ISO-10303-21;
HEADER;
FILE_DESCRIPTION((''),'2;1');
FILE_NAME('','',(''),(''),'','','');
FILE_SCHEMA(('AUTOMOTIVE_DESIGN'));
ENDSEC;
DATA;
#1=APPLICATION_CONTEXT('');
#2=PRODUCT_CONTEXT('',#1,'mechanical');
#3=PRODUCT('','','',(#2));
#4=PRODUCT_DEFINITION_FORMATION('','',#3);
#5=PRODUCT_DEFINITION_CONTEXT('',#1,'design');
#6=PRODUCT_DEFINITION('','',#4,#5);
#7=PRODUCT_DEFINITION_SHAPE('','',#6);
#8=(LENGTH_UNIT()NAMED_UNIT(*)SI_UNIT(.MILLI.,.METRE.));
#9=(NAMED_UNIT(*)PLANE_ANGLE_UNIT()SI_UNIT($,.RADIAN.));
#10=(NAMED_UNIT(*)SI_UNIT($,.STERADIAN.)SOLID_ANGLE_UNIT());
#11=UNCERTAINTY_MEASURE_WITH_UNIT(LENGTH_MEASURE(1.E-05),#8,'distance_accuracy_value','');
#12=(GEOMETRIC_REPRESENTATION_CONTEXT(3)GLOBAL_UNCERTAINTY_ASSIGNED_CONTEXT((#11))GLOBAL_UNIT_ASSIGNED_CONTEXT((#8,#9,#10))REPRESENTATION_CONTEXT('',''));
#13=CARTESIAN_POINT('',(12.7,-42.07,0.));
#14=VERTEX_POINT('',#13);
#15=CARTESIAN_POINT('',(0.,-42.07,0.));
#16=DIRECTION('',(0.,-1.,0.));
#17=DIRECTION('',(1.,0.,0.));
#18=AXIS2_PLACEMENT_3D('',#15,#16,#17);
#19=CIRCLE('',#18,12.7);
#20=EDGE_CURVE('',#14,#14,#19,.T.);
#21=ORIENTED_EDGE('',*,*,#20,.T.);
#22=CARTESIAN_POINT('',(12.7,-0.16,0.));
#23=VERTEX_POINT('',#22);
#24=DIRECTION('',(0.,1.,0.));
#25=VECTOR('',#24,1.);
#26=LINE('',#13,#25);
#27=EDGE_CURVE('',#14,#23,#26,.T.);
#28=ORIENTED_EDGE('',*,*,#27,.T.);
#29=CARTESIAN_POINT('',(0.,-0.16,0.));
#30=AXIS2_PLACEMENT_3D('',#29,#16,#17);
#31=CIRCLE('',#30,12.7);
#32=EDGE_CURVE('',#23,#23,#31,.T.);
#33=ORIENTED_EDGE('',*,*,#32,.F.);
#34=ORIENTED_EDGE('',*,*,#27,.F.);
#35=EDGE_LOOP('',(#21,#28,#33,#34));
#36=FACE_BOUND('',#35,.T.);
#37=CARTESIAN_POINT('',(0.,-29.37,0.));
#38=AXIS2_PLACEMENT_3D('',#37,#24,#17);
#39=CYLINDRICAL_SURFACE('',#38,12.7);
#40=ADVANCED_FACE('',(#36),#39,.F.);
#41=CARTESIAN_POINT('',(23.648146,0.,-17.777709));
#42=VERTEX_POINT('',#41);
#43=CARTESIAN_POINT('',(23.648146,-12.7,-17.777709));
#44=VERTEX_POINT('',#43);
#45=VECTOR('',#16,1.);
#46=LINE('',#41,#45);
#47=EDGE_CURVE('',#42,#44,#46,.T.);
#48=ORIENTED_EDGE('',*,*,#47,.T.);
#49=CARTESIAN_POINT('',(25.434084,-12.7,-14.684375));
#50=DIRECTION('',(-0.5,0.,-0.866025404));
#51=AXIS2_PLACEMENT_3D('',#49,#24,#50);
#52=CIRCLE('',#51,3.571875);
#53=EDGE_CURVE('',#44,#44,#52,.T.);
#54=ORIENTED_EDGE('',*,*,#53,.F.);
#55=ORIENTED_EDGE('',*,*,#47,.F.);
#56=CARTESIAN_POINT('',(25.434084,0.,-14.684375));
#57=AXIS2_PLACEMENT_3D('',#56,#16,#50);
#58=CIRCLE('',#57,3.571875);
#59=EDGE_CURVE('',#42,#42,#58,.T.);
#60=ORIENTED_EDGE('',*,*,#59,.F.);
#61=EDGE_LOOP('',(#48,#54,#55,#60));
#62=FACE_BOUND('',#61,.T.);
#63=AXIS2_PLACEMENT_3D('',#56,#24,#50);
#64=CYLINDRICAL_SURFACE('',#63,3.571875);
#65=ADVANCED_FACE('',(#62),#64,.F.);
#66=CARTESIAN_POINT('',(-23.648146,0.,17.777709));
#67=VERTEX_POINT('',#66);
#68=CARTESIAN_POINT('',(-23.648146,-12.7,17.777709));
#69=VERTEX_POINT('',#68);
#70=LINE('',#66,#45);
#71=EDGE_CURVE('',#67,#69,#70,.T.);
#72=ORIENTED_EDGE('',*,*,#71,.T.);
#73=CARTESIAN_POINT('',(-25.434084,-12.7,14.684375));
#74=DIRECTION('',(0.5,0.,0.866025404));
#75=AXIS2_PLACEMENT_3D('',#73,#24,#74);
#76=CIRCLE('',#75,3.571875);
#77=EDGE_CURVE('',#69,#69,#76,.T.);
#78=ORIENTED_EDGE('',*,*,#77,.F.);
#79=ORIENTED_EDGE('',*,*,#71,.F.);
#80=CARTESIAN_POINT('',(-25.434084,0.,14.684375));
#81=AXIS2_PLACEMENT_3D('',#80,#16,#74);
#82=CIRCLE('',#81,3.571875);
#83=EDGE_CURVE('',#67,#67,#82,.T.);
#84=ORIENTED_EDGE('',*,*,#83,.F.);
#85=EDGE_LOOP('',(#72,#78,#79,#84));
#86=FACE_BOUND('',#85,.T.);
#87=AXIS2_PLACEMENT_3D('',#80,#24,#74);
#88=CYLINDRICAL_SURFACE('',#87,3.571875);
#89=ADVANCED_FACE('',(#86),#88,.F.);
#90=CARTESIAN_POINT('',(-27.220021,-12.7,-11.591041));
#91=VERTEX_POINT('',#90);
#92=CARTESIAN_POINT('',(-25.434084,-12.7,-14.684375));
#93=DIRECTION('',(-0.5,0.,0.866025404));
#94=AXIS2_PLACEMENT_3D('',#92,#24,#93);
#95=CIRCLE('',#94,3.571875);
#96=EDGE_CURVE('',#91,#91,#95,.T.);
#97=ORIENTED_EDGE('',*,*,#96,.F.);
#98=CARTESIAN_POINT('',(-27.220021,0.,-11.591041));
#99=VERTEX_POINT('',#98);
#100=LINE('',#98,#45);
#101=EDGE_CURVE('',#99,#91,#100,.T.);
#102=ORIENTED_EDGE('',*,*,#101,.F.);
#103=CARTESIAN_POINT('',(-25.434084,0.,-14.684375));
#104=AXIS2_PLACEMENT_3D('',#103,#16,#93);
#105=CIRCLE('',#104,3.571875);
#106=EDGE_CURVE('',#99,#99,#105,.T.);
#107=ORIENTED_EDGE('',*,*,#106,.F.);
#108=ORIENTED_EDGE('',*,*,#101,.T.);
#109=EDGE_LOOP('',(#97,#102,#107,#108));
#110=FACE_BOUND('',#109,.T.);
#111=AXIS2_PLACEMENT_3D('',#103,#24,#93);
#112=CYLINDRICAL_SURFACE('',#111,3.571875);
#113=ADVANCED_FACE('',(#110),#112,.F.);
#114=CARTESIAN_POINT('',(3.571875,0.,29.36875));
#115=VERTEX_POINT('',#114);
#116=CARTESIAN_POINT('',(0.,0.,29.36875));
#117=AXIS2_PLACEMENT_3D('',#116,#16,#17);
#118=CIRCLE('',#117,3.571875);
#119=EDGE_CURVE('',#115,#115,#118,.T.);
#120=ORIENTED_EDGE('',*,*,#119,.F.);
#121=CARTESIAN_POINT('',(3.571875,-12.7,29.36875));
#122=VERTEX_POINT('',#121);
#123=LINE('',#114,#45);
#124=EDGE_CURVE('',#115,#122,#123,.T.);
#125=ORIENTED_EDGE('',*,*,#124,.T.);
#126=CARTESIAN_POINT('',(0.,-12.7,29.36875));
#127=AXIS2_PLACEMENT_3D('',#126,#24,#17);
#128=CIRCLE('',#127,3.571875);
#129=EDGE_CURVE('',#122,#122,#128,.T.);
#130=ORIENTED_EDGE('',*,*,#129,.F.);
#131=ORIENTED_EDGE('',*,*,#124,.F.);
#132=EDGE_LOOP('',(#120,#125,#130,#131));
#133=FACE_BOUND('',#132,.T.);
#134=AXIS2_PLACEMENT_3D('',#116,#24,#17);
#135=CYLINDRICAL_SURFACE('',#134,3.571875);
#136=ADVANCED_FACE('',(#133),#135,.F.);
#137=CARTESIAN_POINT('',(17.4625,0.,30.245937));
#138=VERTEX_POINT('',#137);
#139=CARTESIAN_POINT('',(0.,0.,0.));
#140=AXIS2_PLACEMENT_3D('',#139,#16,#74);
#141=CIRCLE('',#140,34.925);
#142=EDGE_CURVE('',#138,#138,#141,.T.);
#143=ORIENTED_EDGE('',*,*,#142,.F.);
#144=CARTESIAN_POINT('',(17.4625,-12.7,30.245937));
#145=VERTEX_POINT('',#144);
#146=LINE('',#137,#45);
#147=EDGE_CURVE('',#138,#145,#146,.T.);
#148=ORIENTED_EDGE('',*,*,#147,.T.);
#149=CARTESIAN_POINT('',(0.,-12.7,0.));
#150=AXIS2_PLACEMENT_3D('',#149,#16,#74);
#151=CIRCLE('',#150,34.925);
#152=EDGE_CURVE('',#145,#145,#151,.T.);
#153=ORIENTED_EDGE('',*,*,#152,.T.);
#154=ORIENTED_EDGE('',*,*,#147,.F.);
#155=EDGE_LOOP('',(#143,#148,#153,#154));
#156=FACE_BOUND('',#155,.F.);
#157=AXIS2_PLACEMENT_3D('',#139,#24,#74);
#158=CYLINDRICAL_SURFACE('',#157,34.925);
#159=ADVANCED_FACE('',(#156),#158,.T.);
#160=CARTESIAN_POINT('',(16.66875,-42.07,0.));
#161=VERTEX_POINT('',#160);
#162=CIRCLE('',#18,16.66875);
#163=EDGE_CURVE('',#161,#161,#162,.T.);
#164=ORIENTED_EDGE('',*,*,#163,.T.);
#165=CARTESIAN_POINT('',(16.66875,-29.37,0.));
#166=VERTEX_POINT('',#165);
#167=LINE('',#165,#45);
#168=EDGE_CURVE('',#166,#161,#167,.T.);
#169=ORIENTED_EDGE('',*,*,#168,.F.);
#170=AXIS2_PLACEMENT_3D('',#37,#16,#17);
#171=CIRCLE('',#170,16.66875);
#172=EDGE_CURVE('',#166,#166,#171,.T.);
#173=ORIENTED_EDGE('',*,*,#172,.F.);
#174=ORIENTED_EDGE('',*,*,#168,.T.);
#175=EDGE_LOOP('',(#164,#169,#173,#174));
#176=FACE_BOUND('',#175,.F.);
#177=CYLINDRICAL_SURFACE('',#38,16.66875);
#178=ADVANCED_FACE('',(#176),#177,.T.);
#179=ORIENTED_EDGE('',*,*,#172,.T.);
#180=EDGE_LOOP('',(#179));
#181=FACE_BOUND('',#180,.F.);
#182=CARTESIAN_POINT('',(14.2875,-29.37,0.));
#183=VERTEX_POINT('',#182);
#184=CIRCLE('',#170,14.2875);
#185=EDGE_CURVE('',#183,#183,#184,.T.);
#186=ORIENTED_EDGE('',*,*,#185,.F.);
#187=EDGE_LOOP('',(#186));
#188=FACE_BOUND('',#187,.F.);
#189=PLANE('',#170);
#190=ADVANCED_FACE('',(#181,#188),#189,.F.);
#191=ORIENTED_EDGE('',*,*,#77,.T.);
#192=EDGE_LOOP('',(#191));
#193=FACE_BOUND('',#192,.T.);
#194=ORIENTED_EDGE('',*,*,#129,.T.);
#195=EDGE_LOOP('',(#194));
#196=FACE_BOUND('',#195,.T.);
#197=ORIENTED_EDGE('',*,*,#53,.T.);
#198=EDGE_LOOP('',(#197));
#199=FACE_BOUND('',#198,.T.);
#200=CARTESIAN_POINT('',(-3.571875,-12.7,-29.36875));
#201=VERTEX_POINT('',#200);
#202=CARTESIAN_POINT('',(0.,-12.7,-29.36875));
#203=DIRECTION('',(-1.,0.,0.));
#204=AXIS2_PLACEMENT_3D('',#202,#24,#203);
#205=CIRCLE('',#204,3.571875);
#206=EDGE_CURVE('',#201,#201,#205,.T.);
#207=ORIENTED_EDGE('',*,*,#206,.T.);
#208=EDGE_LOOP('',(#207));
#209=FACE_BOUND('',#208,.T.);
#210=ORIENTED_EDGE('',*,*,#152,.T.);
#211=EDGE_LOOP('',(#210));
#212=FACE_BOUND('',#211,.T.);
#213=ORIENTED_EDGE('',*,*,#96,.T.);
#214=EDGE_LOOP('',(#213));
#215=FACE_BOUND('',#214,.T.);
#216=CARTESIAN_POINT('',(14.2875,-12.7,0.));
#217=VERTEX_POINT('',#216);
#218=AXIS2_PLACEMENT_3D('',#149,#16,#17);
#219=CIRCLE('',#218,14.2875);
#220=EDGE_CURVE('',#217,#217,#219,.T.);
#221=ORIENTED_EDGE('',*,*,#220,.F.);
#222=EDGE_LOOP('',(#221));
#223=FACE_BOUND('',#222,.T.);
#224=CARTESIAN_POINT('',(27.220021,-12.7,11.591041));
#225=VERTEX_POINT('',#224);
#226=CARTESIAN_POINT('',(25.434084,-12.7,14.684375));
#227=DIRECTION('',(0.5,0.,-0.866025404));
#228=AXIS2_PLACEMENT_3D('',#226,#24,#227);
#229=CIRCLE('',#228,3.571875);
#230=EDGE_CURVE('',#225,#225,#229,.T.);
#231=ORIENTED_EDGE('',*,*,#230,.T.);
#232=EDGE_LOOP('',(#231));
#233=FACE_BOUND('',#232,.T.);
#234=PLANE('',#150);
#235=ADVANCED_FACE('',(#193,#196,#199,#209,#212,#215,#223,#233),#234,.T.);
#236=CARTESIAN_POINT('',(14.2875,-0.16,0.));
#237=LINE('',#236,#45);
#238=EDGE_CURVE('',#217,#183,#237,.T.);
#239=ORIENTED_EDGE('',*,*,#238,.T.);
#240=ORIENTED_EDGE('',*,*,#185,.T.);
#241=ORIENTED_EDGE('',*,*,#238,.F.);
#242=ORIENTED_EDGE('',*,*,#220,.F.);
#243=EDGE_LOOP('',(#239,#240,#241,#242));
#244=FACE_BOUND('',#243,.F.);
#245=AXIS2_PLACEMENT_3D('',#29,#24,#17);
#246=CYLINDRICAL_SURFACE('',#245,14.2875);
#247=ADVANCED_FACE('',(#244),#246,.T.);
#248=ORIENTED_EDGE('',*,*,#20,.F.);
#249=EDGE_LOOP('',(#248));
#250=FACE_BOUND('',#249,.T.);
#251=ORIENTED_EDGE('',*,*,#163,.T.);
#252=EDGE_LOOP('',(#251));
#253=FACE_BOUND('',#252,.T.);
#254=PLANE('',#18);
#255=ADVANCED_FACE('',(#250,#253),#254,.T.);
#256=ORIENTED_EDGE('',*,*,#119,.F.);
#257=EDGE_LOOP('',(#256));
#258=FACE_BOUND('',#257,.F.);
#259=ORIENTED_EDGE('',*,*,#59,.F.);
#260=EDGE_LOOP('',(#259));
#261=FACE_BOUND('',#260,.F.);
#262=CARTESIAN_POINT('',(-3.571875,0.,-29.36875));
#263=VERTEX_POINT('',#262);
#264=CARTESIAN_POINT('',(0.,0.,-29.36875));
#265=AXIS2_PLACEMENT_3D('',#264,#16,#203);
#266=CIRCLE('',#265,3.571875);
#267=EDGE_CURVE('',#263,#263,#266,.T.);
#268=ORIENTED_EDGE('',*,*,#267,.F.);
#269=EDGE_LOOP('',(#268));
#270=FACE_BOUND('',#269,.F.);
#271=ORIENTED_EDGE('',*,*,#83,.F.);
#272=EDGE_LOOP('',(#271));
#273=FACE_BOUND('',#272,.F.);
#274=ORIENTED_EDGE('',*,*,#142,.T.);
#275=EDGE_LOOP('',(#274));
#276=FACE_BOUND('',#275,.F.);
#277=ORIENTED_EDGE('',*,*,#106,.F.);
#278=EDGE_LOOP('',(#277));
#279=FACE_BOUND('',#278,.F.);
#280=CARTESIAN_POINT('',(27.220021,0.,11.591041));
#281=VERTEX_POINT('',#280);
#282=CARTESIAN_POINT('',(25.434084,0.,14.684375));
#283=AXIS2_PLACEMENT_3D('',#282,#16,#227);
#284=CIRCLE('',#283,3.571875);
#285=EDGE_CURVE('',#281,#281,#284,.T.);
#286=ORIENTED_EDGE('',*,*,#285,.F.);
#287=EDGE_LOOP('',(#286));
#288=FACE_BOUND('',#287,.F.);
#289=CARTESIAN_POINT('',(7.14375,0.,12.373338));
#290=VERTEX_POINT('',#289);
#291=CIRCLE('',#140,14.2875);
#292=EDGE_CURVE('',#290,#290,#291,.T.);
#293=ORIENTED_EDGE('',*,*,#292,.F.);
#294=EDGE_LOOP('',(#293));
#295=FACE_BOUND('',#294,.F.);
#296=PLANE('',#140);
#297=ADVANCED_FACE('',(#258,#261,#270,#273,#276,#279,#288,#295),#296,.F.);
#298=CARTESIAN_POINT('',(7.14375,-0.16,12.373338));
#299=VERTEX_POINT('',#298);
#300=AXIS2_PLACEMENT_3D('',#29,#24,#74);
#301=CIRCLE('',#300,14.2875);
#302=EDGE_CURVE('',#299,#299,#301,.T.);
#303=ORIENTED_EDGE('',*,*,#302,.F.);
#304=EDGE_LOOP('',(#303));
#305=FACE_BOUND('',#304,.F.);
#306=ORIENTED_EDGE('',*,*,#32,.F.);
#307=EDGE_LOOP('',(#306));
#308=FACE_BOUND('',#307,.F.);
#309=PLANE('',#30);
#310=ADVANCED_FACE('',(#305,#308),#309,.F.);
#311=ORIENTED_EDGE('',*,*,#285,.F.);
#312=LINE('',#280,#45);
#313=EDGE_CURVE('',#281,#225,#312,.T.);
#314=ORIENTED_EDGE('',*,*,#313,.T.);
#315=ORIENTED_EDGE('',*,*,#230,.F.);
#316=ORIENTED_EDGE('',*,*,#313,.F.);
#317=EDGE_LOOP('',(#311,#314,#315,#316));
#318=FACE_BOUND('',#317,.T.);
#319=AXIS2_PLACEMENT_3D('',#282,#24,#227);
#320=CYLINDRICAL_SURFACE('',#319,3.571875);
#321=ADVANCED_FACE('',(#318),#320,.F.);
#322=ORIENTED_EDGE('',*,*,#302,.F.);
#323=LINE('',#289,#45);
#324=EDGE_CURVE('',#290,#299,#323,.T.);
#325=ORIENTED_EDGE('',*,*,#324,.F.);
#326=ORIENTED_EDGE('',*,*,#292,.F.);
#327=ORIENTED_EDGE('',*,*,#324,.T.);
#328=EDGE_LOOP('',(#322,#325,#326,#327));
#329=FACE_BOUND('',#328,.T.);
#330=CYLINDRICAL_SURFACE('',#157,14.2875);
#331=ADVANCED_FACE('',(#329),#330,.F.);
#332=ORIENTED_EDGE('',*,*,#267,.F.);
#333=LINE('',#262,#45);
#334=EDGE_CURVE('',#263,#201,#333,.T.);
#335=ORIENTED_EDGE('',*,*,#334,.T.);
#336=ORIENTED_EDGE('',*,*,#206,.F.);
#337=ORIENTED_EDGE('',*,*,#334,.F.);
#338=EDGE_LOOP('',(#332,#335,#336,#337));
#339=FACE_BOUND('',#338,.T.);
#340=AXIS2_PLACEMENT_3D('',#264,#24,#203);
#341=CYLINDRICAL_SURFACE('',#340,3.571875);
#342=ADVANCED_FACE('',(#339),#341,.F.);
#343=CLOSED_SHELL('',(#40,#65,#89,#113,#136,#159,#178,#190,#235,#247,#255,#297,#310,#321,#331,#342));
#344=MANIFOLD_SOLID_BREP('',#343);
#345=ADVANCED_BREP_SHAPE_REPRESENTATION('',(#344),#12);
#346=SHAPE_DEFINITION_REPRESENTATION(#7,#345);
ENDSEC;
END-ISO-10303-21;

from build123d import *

# Parameters (mm, degrees)
SKETCH015_R            = 14.2875
SKETCH015_R_2          = 12.7
PAD015_DEPTH           = 29.21
SKETCH016_R            = 16.66875
SKETCH016_R_2          = 12.7
PAD016_DEPTH           = 12.7
SKETCH014_R            = 3.571875
PAD014_DEPTH           = 13
SKETCH013_R            = 34.925
SKETCH013_R_2          = 14.2875
PAD013_DEPTH           = 12.7
CUT006_PLACEMENT_ANGLE = 60
CUT007_PLACEMENT_ANGLE = 60
CUT008_PLACEMENT_ANGLE = 60
CUT009_PLACEMENT_ANGLE = 60
CUT010_PLACEMENT_ANGLE = 60


with BuildPart() as body015:
    # Sketch015 → Pad015 (new body)
    with BuildSketch(Plane.XZ):
        Circle(SKETCH015_R)
        Circle(SKETCH015_R_2, mode=Mode.SUBTRACT)
    extrude(amount=PAD015_DEPTH)


with BuildPart() as body015_1:
    # Body015 placement: moved
    add(body015.part.moved(Location((0, -0.16, 0))))


with BuildPart() as body016:
    # Sketch016 → Pad016 (new body)
    with BuildSketch(Plane.XZ):
        Circle(SKETCH016_R)
        Circle(SKETCH016_R_2, mode=Mode.SUBTRACT)
    extrude(amount=PAD016_DEPTH)


with BuildPart() as body016_1:
    # Body016 placement: moved
    add(body016.part.moved(Location((0, -29.37, 0))))


with BuildPart() as body014:
    # Sketch014 → Pad014 (new body)
    with BuildSketch(Plane.XZ):
        with Locations((0, 29.36875)):
            Circle(SKETCH014_R)
    extrude(amount=PAD014_DEPTH)


with BuildPart() as fusion001:
    # Sketch013 → Pad013 (new body)
    with BuildSketch(Plane.XZ):
        Circle(SKETCH013_R)
        Circle(SKETCH013_R_2, mode=Mode.SUBTRACT)
    extrude(amount=PAD013_DEPTH)

    # Cut006: cut Body014
    add(body014.part, mode=Mode.SUBTRACT)


with BuildPart() as fusion001_1:
    # Cut006 placement: moved
    add(fusion001.part.rotate(Axis((0, 0, 0), (0, 1, 0)), CUT006_PLACEMENT_ANGLE))

    # Cut007: cut Body014
    add(body014.part, mode=Mode.SUBTRACT)


with BuildPart() as fusion001_2:
    # Cut007 placement: moved
    add(fusion001_1.part.rotate(Axis((0, 0, 0), (0, 1, 0)), CUT007_PLACEMENT_ANGLE))

    # Cut008: cut Body014
    add(body014.part, mode=Mode.SUBTRACT)


with BuildPart() as fusion001_3:
    # Cut008 placement: moved
    add(fusion001_2.part.rotate(Axis((0, 0, 0), (0, 1, 0)), CUT008_PLACEMENT_ANGLE))

    # Cut009: cut Body014
    add(body014.part, mode=Mode.SUBTRACT)


with BuildPart() as fusion001_4:
    # Cut009 placement: moved
    add(fusion001_3.part.rotate(Axis((0, 0, 0), (0, 1, 0)), CUT009_PLACEMENT_ANGLE))

    # Cut010: cut Body014
    add(body014.part, mode=Mode.SUBTRACT)


with BuildPart() as fusion001_5:
    # Cut010 placement: moved
    add(fusion001_4.part.rotate(Axis((0, 0, 0), (0, 1, 0)), CUT010_PLACEMENT_ANGLE))

    # Cut011: cut Body014
    add(body014.part, mode=Mode.SUBTRACT)

    # Fusion001: union Body015, Body016
    add(body015_1.part)
    add(body016_1.part)


solid = fusion001_5.part
